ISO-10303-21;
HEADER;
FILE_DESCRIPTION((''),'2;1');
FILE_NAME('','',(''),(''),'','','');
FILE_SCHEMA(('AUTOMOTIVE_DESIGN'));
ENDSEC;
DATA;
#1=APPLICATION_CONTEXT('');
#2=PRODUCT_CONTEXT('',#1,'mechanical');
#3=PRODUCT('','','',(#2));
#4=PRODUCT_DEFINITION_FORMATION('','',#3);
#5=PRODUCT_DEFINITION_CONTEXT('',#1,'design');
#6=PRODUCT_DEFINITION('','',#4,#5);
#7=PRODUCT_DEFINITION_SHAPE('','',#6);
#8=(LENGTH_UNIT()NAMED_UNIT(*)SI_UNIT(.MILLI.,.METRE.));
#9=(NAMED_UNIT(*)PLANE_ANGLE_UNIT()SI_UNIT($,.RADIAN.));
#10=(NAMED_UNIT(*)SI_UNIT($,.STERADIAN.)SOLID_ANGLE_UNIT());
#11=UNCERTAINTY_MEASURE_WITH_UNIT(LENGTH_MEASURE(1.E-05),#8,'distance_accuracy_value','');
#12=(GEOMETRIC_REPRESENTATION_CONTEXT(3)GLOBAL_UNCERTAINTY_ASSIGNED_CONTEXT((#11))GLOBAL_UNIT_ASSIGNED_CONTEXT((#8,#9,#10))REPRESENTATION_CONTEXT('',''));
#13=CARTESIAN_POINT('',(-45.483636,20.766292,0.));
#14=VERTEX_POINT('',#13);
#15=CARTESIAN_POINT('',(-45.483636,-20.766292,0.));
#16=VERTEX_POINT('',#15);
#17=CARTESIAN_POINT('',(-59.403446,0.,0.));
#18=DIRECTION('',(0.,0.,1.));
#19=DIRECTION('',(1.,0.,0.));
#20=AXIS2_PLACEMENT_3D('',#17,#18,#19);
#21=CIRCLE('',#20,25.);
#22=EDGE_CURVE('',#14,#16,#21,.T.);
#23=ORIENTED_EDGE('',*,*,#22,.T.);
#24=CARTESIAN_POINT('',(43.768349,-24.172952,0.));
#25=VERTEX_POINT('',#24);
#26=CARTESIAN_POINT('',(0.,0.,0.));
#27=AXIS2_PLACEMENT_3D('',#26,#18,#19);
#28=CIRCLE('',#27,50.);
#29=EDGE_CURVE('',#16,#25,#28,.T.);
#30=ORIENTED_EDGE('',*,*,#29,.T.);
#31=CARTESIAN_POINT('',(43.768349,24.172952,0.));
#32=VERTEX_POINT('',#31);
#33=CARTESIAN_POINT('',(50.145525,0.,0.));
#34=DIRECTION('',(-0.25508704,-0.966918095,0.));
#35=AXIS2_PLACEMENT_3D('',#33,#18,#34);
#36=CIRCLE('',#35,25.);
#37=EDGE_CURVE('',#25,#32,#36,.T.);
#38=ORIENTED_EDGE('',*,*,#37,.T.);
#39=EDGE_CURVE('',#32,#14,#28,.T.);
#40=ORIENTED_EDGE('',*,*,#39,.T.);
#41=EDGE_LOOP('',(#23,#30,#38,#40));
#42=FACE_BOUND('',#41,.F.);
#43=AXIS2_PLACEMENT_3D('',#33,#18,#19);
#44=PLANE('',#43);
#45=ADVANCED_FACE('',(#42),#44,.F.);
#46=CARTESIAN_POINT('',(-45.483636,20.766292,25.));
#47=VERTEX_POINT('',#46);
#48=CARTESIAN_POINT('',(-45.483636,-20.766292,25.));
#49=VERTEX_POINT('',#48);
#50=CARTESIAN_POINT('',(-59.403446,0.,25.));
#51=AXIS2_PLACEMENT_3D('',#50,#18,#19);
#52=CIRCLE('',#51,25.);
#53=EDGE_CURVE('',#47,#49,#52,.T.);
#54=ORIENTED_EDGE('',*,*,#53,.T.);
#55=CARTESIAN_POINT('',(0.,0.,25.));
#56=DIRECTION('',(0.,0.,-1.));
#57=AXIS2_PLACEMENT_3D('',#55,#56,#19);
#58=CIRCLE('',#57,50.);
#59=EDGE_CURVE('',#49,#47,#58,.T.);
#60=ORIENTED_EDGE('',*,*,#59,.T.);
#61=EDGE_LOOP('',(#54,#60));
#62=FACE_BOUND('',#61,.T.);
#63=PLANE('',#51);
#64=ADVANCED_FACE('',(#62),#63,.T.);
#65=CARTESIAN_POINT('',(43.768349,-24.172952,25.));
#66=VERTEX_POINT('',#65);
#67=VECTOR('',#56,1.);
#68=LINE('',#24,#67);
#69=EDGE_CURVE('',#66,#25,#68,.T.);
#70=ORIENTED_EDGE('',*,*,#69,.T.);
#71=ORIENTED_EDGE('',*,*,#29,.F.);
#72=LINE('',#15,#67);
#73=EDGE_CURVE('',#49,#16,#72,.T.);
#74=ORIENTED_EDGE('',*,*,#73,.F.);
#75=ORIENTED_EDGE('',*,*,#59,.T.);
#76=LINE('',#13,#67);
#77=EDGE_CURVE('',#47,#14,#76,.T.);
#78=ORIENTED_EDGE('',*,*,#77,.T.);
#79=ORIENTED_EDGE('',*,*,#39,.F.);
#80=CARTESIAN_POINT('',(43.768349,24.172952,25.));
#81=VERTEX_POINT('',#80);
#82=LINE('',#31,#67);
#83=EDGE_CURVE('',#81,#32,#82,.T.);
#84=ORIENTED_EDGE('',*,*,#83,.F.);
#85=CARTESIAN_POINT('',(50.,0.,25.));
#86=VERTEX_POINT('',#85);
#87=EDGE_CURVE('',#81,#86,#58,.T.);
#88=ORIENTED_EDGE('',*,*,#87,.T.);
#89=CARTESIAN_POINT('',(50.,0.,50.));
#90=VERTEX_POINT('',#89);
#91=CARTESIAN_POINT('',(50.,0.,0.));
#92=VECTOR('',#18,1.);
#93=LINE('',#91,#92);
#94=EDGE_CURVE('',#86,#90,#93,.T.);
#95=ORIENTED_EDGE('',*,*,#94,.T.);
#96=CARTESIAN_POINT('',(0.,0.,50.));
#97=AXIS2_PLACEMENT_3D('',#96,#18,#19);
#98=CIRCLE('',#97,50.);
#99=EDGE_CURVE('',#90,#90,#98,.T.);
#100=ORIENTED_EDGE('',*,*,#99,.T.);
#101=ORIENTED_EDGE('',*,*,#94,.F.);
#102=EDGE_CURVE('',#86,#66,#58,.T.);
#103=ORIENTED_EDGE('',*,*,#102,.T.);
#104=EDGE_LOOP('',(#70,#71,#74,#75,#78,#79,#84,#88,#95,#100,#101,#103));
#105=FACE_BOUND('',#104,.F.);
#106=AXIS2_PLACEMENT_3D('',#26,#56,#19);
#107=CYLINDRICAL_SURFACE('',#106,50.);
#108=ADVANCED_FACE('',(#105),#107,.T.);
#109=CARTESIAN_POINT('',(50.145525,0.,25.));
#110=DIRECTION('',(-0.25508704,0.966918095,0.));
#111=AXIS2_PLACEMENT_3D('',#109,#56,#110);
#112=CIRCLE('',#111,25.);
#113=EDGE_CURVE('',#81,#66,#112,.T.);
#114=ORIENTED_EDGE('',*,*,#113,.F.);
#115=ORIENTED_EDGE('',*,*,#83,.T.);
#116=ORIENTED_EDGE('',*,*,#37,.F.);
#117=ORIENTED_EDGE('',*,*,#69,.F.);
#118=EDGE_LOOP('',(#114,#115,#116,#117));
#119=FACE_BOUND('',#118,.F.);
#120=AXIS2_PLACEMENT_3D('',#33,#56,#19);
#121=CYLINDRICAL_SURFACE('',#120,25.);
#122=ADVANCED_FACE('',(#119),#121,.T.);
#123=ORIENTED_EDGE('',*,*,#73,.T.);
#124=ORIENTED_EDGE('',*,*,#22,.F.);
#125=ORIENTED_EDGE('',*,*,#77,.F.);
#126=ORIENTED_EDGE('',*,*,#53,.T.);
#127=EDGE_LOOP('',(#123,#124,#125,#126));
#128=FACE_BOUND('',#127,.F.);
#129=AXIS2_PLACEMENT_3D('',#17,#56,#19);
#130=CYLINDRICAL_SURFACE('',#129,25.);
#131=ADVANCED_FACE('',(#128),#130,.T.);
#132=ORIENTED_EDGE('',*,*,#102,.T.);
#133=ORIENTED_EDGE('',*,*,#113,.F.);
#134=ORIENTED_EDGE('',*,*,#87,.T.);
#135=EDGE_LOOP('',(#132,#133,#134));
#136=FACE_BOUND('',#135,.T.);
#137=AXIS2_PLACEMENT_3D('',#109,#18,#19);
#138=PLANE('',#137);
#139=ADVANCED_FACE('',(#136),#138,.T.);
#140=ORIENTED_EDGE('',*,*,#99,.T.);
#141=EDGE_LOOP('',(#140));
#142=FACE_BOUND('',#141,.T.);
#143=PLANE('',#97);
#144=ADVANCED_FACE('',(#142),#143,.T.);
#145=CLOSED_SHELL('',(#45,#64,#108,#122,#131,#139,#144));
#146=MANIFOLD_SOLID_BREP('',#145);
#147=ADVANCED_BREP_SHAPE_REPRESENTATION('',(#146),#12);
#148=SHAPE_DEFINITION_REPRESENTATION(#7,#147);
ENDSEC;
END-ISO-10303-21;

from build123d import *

# Parameters (mm, degrees)
F0_R     = 50
F1_DEPTH = 50
F2_R     = 25
F3_DEPTH = 25


with BuildPart() as f1:
    # F0 (on Top) → F1 (new body)
    with BuildSketch(Plane.XY):
        Circle(F0_R)
    extrude(amount=F1_DEPTH)

    # F2 (on Top) → F3 (join)
    with BuildSketch(Plane.XY):
        with Locations((50.145525, 0)):
            Circle(F2_R)
        with Locations((-59.403446, 0)):
            Circle(F2_R)
    extrude(amount=F3_DEPTH)


solid = f1.part
